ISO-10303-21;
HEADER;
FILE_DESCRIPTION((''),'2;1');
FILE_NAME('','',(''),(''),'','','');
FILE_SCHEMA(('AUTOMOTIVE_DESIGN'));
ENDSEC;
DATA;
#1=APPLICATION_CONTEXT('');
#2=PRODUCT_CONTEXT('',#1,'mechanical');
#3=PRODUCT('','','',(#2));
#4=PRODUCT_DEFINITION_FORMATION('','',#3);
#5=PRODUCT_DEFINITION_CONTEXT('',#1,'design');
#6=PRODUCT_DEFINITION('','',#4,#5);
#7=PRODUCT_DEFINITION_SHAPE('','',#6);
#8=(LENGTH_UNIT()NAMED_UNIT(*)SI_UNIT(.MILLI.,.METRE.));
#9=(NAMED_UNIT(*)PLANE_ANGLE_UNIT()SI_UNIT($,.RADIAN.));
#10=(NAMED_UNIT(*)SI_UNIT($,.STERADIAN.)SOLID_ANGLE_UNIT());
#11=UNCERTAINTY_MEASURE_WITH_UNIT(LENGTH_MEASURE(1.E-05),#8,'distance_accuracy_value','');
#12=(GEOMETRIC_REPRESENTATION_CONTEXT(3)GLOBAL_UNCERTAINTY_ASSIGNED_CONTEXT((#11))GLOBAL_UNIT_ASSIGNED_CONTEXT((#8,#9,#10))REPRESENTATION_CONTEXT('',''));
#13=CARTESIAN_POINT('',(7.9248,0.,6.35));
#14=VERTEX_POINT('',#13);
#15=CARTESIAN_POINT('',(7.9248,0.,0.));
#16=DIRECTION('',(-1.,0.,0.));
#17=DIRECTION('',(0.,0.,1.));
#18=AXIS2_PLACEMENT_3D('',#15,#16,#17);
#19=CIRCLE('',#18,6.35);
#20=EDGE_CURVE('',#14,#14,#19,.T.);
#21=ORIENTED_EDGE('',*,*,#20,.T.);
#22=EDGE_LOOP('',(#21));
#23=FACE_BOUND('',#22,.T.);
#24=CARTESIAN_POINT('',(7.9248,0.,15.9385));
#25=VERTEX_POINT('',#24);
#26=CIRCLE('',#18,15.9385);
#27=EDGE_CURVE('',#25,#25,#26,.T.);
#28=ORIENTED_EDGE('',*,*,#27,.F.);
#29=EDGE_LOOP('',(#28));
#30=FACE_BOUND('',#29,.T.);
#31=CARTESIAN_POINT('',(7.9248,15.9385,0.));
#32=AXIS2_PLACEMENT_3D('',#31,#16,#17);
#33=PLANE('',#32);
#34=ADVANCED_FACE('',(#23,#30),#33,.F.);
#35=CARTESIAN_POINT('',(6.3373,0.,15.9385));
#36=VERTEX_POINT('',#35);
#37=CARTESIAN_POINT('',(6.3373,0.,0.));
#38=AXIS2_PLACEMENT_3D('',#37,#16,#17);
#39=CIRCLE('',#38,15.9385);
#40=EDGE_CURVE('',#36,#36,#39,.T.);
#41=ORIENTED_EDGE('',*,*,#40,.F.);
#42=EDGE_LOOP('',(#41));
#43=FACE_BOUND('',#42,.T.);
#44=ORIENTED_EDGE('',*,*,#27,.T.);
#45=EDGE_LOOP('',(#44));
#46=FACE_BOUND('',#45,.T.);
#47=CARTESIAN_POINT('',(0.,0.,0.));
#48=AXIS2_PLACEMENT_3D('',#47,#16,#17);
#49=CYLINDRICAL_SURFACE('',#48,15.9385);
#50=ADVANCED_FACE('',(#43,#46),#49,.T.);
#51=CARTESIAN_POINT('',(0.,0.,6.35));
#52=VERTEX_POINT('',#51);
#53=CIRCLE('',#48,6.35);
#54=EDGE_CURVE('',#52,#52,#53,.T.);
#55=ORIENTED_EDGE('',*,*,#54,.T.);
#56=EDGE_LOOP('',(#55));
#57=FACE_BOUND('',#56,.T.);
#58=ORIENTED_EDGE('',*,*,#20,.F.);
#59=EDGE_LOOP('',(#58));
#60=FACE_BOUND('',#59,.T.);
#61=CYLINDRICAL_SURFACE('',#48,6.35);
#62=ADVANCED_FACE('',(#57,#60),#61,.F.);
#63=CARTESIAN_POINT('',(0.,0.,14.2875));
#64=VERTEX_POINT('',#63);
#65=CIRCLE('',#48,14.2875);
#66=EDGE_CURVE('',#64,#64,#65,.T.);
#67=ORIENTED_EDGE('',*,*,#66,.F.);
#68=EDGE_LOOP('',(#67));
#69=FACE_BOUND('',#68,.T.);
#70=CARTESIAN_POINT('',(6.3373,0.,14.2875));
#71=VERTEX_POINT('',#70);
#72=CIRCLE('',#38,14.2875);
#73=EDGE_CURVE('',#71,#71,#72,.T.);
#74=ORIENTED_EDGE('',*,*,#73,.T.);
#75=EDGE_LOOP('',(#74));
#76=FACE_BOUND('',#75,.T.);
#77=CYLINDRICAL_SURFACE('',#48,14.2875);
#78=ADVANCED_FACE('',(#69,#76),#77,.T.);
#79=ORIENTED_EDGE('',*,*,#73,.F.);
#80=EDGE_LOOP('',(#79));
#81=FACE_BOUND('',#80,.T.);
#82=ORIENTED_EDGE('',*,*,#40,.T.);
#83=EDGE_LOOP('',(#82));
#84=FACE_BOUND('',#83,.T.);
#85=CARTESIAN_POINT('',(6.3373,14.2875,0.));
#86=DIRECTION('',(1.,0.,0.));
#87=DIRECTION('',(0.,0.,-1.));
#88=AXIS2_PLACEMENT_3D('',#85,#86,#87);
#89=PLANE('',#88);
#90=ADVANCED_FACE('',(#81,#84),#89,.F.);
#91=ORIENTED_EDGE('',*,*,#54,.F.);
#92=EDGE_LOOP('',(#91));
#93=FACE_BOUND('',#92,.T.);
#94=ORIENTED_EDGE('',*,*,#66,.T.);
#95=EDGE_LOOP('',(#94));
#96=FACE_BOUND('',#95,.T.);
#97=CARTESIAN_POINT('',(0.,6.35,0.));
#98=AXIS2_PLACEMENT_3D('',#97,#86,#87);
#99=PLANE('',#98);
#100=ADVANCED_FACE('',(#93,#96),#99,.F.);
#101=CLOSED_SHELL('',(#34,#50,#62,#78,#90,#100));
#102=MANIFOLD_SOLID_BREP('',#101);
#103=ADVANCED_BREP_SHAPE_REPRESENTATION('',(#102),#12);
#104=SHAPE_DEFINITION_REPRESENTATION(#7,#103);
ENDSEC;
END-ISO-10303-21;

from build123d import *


with BuildPart() as part:
    # Sketch1 → Revolve1 (revolve)
    with BuildSketch(Plane.XY):
        Polygon((7.9248, 6.35), (0, 6.35), (0, 14.2875), (6.3373, 14.2875), (6.3373, 15.9385), (7.9248, 15.9385), align=None)
    revolve(axis=Axis((0, 0, 0), (1, 0, 0)))


solid = part.part
